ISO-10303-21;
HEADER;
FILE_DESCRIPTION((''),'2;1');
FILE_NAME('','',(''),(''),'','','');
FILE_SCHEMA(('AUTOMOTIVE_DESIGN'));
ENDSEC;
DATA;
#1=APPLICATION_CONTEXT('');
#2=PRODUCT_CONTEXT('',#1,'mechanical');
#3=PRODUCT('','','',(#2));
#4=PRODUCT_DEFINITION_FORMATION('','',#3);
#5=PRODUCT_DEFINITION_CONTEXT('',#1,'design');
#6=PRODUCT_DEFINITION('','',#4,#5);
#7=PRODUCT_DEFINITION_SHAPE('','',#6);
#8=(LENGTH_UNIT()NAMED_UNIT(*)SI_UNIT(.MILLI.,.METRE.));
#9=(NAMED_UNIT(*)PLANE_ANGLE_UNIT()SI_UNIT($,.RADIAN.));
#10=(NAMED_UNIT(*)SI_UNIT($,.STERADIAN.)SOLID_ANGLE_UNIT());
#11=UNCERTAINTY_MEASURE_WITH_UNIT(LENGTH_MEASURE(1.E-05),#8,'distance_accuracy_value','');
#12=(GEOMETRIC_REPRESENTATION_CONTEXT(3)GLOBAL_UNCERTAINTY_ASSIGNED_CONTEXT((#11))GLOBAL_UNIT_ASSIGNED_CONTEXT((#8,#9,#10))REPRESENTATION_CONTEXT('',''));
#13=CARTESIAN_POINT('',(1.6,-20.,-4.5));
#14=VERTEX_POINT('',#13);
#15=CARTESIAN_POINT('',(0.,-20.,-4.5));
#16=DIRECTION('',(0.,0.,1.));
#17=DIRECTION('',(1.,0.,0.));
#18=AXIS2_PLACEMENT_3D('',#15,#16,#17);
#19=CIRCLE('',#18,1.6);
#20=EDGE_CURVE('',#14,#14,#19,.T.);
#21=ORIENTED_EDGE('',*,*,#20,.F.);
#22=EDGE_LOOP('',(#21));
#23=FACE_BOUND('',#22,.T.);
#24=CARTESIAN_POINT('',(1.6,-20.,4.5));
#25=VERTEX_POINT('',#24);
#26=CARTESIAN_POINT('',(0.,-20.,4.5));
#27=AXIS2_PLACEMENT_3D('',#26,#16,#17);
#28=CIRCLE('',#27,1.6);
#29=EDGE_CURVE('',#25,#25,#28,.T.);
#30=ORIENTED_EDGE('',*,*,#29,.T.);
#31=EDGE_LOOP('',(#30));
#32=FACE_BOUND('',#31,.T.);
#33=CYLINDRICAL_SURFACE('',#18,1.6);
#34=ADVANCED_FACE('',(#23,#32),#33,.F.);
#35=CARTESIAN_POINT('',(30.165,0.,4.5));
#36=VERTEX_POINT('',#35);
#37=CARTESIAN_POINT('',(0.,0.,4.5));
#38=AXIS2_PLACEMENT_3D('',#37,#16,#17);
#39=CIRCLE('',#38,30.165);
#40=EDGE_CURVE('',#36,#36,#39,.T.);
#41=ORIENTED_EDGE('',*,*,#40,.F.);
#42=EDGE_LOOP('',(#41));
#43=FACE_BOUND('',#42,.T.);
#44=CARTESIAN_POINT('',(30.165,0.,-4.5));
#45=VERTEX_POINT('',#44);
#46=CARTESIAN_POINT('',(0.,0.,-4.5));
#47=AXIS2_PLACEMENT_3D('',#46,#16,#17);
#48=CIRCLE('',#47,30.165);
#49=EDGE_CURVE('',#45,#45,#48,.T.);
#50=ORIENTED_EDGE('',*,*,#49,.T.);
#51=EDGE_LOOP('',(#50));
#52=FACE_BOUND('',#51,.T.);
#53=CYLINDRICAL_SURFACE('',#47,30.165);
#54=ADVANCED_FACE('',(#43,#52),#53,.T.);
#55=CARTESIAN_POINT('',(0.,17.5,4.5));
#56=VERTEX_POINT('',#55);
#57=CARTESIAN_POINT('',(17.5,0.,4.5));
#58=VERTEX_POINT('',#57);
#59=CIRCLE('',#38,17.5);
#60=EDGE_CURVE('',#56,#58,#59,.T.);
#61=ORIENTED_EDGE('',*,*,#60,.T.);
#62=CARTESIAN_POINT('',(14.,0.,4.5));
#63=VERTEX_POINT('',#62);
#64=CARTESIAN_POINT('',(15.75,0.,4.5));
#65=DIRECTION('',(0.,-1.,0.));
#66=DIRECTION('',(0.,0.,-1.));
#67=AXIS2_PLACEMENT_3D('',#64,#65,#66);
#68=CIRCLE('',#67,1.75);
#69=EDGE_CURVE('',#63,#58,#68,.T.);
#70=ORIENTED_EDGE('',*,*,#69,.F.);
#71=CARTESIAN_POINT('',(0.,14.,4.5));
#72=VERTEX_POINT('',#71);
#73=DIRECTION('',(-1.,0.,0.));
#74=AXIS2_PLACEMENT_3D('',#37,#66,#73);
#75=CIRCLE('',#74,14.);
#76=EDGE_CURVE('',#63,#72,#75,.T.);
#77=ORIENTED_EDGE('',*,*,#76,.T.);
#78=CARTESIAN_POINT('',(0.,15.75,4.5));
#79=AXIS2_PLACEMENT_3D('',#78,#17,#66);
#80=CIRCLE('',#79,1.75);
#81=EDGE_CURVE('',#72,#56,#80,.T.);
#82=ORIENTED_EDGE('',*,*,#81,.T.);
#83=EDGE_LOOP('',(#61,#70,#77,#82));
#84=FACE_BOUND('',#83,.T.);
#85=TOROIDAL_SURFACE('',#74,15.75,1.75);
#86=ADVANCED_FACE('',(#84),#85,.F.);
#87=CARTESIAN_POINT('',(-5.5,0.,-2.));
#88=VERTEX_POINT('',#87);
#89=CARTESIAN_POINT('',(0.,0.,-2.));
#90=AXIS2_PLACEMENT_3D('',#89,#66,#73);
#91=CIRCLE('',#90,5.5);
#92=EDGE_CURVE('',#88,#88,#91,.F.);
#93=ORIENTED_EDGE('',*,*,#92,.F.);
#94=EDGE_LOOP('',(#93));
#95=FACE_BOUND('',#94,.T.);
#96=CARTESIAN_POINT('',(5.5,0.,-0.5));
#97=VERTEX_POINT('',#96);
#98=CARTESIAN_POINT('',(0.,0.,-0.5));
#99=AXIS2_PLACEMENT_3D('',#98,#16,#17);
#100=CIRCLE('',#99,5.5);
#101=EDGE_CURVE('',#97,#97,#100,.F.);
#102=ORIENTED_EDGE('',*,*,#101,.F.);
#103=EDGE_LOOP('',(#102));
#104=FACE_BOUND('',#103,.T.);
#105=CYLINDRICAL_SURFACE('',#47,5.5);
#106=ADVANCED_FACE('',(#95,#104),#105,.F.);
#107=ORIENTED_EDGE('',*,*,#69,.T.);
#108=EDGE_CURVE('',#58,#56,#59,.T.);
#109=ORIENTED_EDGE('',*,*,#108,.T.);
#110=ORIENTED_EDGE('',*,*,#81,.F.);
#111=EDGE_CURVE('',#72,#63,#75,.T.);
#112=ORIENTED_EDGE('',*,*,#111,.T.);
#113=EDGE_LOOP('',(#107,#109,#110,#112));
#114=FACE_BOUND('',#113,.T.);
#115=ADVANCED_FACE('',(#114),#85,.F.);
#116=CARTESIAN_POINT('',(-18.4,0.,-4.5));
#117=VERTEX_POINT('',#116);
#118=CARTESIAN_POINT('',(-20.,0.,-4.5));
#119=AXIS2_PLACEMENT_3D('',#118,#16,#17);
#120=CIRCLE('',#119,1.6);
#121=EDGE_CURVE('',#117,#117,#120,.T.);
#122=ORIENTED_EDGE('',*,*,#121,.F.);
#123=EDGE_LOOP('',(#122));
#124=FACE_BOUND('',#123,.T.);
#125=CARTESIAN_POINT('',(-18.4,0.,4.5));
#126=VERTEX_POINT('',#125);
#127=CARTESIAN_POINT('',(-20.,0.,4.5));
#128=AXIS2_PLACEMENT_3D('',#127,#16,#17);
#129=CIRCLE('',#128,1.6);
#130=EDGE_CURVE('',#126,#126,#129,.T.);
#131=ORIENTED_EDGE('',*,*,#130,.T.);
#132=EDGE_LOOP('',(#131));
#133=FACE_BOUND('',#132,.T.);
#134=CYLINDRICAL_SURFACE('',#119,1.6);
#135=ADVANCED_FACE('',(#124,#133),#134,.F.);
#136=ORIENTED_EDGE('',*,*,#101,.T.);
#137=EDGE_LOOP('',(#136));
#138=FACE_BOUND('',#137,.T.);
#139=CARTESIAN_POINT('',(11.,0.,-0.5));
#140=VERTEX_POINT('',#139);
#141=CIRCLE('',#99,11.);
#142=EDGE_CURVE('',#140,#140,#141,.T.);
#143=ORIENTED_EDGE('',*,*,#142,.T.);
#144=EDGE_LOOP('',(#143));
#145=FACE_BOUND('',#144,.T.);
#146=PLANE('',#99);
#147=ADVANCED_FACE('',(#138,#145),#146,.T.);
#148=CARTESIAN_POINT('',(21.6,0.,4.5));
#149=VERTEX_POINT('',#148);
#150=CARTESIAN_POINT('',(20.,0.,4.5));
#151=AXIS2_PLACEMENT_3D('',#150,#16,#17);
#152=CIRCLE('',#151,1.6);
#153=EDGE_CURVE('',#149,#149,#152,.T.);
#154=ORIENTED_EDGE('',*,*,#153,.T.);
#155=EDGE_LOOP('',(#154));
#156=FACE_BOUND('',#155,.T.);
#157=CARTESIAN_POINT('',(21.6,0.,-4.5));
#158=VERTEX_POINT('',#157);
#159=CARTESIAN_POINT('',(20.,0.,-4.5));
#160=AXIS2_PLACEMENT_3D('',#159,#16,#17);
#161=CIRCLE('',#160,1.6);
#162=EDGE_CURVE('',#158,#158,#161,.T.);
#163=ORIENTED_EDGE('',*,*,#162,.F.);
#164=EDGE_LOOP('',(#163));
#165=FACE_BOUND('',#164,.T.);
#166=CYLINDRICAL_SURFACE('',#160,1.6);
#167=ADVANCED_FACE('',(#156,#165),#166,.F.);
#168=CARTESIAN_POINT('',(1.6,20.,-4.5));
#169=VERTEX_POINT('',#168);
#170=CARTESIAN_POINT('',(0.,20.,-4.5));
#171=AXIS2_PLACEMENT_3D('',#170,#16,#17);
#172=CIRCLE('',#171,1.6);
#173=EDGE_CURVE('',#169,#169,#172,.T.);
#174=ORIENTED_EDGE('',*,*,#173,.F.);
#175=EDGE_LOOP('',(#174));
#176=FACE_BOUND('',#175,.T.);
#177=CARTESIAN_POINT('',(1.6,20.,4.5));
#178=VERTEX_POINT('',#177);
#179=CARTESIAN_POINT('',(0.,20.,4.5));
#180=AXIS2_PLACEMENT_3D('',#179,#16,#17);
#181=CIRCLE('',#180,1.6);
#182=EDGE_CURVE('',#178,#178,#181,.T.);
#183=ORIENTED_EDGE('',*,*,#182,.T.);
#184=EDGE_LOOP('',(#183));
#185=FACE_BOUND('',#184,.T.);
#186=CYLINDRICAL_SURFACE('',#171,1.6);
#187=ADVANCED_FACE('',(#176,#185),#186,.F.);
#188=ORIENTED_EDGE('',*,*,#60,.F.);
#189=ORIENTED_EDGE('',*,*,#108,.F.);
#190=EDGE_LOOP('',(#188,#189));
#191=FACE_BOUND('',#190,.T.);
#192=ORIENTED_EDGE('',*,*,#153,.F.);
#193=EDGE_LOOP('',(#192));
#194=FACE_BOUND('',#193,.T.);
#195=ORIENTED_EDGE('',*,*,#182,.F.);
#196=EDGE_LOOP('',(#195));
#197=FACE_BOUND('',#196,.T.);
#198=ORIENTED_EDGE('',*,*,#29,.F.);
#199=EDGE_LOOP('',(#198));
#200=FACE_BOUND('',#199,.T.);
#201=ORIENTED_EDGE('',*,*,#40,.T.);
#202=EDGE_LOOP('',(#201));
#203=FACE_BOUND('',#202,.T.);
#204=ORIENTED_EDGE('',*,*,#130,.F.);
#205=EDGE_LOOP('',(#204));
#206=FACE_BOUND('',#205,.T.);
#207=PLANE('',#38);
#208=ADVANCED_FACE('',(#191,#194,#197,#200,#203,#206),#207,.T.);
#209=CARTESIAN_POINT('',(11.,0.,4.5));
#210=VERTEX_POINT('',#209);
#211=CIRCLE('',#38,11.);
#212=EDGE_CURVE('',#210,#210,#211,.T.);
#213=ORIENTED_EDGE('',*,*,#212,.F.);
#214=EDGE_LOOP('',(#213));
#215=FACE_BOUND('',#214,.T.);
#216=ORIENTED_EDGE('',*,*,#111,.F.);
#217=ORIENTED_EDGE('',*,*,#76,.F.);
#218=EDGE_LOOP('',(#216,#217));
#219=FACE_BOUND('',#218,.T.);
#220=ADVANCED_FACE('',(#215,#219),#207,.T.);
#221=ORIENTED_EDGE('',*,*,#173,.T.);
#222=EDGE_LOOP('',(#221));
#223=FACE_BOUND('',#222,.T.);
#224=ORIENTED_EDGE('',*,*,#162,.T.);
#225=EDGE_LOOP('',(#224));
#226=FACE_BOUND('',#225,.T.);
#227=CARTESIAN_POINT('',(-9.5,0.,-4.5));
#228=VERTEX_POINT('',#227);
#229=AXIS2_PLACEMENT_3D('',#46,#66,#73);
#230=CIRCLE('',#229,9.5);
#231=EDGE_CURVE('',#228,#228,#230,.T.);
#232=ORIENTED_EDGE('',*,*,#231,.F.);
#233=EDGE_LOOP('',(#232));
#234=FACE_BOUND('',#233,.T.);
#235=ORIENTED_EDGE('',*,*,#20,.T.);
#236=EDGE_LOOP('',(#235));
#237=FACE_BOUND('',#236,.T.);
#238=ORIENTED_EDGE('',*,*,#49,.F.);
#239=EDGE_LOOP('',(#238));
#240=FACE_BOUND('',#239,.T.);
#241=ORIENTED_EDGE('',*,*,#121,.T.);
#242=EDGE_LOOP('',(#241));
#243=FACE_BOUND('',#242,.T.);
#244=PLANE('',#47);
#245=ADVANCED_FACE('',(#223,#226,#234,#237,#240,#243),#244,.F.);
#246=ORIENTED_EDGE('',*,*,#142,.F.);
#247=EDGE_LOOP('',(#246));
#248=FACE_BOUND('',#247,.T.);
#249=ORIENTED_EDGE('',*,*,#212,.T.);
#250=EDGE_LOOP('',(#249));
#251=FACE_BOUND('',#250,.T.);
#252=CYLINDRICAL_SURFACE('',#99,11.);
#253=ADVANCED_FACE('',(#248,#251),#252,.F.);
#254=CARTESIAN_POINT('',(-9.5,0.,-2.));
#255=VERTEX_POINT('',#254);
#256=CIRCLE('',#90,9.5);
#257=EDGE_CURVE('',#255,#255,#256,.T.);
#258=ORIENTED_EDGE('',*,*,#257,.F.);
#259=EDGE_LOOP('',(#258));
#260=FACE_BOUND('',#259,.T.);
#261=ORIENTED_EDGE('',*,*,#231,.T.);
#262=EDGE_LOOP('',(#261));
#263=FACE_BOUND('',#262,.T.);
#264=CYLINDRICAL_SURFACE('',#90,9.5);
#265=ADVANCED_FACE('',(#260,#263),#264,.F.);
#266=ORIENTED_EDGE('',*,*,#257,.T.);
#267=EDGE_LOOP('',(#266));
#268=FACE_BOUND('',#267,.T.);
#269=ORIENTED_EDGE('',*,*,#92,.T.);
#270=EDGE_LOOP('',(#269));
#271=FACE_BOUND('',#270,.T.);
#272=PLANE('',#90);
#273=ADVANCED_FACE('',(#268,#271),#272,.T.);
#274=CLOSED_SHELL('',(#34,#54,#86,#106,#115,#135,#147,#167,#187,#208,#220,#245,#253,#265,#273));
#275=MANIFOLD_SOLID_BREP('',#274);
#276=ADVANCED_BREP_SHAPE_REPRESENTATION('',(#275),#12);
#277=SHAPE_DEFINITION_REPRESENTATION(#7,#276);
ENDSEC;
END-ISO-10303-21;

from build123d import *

# Parameters (mm, degrees)
SALIENTE_EXTRUIR1_DEPTH      = 4.5
SALIENTE_EXTRUIR1_DEPTH_BACK = 4.5
CROQUIS1_R                   = 30.165
CROQUIS1_R_2                 = 5.5
CROQUIS1_R_3                 = 1.6
SKETCH1_R                    = 9.5
CUT_EXTRUDE1_DEPTH           = 2.5
SKETCH2_R                    = 11
CUT_EXTRUDE2_DEPTH           = 5
CROQUIS3_R                   = 1.75


with BuildPart() as part:
    # Croquis1 → Saliente-Extruir1 (new, two sides: drawn at the far end of the back side and taken through both)
    with BuildSketch(Plane.XY.offset(-SALIENTE_EXTRUIR1_DEPTH_BACK)):
        Circle(CROQUIS1_R)
        Circle(CROQUIS1_R_2, mode=Mode.SUBTRACT)
        with Locations((20, 0)):
            Circle(CROQUIS1_R_3, mode=Mode.SUBTRACT)
        with Locations((-20, 0)):
            Circle(CROQUIS1_R_3, mode=Mode.SUBTRACT)
        with Locations((0, 20)):
            Circle(CROQUIS1_R_3, mode=Mode.SUBTRACT)
        with Locations((0, -20)):
            Circle(CROQUIS1_R_3, mode=Mode.SUBTRACT)
    extrude(amount=SALIENTE_EXTRUIR1_DEPTH + SALIENTE_EXTRUIR1_DEPTH_BACK)

    # Sketch1 → Cut-Extrude1 (cut)
    with BuildSketch(Plane(origin=(0, 0, -4.5), x_dir=(-1, 0, 0), z_dir=(0, 0, -1))):
        Circle(SKETCH1_R)
    extrude(amount=-CUT_EXTRUDE1_DEPTH, mode=Mode.SUBTRACT)

    # Sketch2 → Cut-Extrude2 (cut)
    with BuildSketch(Plane.XY.offset(4.5)):
        Circle(SKETCH2_R)
    extrude(amount=-CUT_EXTRUDE2_DEPTH, mode=Mode.SUBTRACT)

    # Cortar-Barrer1: sweep along a curve in space
    with BuildLine() as cortar_barrer1_path:
        ThreePointArc((11, 0, 4.5), (7.778174593, 7.778174593, 4.5), (0, 11, 4.5))
        ThreePointArc((0, 11, 4.5), (-7.778174593, 7.778174593, 4.5), (-11, 0, 4.5))
        ThreePointArc((-11, 0, 4.5), (-7.778174593, -7.778174593, 4.5), (0, -11, 4.5))
        ThreePointArc((0, -11, 4.5), (7.778174593, -7.778174593, 4.5), (11, 0, 4.5))
    # Croquis3 → Cortar-Barrer1 (sweep, cut)
    with BuildSketch(Plane(origin=(0, 0, 0), x_dir=(0, 0, -1), z_dir=(1, 0, 0))):
        with Locations((-4.5, 15.75)):
            Circle(CROQUIS3_R)
    sweep(path=cortar_barrer1_path.line, mode=Mode.SUBTRACT)


solid = part.part
